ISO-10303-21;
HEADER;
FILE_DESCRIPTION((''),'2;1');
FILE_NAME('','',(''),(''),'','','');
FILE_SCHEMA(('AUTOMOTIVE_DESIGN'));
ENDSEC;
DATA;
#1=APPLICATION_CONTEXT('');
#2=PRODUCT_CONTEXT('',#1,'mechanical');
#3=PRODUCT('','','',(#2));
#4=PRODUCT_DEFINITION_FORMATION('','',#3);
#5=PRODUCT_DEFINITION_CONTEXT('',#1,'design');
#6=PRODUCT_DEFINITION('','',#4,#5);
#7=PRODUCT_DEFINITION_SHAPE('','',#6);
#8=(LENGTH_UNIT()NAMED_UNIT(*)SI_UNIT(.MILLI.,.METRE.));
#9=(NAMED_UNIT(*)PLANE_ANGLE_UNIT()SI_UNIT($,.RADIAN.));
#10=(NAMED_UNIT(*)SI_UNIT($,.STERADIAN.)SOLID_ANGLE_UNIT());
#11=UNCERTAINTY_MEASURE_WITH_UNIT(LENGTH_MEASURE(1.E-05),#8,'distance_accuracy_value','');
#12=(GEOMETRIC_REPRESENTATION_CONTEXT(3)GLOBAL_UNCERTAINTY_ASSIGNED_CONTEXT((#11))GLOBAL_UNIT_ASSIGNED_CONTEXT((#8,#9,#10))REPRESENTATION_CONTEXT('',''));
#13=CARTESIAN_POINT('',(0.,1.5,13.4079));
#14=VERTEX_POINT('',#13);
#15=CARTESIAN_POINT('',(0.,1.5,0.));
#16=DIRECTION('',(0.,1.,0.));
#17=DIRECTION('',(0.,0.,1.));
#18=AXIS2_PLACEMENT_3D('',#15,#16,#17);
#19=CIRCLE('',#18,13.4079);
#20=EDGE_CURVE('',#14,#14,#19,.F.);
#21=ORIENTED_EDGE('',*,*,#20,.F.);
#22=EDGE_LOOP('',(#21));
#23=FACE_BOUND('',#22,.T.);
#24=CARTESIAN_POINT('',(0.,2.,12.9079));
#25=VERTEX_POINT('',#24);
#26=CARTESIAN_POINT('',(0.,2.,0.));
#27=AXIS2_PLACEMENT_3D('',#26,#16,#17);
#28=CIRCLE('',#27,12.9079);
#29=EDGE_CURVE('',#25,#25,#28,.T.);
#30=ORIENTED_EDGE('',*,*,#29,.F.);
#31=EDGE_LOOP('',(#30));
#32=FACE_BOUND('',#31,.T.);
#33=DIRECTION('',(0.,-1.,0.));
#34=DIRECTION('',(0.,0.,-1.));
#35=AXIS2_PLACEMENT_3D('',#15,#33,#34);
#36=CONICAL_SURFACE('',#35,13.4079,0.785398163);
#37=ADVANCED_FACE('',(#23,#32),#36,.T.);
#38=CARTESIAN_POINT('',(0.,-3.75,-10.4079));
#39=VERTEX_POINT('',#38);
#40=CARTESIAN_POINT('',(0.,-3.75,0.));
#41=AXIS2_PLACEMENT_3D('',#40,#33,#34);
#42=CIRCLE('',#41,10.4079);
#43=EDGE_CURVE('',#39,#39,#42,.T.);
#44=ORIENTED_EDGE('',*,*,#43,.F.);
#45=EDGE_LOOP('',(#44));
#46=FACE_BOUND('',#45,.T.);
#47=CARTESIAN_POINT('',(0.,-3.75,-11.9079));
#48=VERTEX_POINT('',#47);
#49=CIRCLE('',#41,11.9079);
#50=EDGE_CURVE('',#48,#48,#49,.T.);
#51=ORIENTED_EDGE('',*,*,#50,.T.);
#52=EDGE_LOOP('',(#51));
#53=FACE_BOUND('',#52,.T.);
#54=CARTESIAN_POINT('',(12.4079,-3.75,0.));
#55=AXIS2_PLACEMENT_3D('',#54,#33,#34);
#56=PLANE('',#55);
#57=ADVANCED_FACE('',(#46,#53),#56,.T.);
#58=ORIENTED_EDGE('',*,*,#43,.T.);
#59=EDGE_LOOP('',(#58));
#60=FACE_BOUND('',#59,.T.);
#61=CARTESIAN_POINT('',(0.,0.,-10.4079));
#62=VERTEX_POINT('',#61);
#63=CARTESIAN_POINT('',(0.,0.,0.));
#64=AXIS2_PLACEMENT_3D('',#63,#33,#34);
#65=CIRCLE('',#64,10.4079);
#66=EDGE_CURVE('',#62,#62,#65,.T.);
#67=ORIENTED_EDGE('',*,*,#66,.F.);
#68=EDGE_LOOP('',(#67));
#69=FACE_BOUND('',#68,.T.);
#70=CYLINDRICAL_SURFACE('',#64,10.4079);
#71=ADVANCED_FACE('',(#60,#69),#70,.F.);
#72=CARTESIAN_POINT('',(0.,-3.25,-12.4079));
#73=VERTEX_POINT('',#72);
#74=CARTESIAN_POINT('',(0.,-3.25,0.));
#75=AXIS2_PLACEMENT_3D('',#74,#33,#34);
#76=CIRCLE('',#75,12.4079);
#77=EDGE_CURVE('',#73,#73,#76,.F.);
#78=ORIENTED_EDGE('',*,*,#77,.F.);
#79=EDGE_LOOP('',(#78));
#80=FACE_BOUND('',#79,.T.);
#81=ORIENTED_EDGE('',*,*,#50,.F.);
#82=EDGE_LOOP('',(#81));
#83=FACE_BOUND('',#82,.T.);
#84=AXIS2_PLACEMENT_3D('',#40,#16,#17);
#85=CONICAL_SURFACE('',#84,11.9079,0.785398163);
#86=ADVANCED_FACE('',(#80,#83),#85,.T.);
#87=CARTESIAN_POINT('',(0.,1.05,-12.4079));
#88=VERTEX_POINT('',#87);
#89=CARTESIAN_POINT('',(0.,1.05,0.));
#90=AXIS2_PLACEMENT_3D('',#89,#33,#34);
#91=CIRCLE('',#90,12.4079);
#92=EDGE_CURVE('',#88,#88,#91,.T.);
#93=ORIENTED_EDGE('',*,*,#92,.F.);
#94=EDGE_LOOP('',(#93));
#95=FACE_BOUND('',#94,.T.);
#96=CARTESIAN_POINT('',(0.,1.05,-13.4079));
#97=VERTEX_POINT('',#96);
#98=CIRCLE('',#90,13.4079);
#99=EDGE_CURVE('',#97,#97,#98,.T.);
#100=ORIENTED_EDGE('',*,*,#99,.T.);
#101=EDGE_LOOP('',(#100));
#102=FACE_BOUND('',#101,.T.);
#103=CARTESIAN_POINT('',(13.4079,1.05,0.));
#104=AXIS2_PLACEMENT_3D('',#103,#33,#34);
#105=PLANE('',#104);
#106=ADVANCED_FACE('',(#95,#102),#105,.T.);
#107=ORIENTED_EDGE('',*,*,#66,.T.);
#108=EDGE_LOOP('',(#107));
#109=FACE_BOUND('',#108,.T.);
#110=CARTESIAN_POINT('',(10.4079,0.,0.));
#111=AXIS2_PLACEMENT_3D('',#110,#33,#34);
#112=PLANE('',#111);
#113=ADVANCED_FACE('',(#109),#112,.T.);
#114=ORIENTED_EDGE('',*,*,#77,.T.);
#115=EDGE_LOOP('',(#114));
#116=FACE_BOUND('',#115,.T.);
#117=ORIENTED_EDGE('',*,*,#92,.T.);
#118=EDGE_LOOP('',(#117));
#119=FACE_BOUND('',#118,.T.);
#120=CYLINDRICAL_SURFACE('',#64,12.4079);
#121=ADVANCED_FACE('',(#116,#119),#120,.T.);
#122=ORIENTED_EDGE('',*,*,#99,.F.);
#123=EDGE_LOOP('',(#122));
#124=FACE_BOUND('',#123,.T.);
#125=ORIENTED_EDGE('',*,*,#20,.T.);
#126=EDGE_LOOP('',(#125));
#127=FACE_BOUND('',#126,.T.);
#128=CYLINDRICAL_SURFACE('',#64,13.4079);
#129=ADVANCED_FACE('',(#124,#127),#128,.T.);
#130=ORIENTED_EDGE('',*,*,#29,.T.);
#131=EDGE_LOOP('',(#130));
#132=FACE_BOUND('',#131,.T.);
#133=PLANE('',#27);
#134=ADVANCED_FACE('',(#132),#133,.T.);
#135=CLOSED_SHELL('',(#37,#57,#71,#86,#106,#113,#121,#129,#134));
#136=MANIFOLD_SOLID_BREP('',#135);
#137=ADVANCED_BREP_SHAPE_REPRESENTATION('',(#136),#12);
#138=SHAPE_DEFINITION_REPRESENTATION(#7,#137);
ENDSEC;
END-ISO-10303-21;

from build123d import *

# Parameters (mm, degrees)
CHAMFER1_SIZE = 0.5


with BuildPart() as part:
    # Sketch2 → Revolve1 (revolve)
    with BuildSketch(Plane.XY, mode=Mode.PRIVATE) as revolve1_sk:
        Polygon((12.4079, -3.75), (10.4079, -3.75), (10.4079, 0), (0, 0), (0, 2), (13.4079, 2), (13.4079, 1.05), (12.4079, 1.05), align=None)
    revolve(revolve1_sk.sketch.rotate(Axis((0, 0, 0), (0, 1, 0)), 90), axis=Axis((0, 0, 0), (0, 1, 0)))  # turned: the seam where the file's is

    # Chamfer1
    chamfer1_edges = [part.edges().sort_by_distance(p)[0] for p in [
        (0, -3.75, 12.4079),
        (0, 2, 13.4079),
    ]]
    chamfer(chamfer1_edges, length=CHAMFER1_SIZE)


solid = part.part
